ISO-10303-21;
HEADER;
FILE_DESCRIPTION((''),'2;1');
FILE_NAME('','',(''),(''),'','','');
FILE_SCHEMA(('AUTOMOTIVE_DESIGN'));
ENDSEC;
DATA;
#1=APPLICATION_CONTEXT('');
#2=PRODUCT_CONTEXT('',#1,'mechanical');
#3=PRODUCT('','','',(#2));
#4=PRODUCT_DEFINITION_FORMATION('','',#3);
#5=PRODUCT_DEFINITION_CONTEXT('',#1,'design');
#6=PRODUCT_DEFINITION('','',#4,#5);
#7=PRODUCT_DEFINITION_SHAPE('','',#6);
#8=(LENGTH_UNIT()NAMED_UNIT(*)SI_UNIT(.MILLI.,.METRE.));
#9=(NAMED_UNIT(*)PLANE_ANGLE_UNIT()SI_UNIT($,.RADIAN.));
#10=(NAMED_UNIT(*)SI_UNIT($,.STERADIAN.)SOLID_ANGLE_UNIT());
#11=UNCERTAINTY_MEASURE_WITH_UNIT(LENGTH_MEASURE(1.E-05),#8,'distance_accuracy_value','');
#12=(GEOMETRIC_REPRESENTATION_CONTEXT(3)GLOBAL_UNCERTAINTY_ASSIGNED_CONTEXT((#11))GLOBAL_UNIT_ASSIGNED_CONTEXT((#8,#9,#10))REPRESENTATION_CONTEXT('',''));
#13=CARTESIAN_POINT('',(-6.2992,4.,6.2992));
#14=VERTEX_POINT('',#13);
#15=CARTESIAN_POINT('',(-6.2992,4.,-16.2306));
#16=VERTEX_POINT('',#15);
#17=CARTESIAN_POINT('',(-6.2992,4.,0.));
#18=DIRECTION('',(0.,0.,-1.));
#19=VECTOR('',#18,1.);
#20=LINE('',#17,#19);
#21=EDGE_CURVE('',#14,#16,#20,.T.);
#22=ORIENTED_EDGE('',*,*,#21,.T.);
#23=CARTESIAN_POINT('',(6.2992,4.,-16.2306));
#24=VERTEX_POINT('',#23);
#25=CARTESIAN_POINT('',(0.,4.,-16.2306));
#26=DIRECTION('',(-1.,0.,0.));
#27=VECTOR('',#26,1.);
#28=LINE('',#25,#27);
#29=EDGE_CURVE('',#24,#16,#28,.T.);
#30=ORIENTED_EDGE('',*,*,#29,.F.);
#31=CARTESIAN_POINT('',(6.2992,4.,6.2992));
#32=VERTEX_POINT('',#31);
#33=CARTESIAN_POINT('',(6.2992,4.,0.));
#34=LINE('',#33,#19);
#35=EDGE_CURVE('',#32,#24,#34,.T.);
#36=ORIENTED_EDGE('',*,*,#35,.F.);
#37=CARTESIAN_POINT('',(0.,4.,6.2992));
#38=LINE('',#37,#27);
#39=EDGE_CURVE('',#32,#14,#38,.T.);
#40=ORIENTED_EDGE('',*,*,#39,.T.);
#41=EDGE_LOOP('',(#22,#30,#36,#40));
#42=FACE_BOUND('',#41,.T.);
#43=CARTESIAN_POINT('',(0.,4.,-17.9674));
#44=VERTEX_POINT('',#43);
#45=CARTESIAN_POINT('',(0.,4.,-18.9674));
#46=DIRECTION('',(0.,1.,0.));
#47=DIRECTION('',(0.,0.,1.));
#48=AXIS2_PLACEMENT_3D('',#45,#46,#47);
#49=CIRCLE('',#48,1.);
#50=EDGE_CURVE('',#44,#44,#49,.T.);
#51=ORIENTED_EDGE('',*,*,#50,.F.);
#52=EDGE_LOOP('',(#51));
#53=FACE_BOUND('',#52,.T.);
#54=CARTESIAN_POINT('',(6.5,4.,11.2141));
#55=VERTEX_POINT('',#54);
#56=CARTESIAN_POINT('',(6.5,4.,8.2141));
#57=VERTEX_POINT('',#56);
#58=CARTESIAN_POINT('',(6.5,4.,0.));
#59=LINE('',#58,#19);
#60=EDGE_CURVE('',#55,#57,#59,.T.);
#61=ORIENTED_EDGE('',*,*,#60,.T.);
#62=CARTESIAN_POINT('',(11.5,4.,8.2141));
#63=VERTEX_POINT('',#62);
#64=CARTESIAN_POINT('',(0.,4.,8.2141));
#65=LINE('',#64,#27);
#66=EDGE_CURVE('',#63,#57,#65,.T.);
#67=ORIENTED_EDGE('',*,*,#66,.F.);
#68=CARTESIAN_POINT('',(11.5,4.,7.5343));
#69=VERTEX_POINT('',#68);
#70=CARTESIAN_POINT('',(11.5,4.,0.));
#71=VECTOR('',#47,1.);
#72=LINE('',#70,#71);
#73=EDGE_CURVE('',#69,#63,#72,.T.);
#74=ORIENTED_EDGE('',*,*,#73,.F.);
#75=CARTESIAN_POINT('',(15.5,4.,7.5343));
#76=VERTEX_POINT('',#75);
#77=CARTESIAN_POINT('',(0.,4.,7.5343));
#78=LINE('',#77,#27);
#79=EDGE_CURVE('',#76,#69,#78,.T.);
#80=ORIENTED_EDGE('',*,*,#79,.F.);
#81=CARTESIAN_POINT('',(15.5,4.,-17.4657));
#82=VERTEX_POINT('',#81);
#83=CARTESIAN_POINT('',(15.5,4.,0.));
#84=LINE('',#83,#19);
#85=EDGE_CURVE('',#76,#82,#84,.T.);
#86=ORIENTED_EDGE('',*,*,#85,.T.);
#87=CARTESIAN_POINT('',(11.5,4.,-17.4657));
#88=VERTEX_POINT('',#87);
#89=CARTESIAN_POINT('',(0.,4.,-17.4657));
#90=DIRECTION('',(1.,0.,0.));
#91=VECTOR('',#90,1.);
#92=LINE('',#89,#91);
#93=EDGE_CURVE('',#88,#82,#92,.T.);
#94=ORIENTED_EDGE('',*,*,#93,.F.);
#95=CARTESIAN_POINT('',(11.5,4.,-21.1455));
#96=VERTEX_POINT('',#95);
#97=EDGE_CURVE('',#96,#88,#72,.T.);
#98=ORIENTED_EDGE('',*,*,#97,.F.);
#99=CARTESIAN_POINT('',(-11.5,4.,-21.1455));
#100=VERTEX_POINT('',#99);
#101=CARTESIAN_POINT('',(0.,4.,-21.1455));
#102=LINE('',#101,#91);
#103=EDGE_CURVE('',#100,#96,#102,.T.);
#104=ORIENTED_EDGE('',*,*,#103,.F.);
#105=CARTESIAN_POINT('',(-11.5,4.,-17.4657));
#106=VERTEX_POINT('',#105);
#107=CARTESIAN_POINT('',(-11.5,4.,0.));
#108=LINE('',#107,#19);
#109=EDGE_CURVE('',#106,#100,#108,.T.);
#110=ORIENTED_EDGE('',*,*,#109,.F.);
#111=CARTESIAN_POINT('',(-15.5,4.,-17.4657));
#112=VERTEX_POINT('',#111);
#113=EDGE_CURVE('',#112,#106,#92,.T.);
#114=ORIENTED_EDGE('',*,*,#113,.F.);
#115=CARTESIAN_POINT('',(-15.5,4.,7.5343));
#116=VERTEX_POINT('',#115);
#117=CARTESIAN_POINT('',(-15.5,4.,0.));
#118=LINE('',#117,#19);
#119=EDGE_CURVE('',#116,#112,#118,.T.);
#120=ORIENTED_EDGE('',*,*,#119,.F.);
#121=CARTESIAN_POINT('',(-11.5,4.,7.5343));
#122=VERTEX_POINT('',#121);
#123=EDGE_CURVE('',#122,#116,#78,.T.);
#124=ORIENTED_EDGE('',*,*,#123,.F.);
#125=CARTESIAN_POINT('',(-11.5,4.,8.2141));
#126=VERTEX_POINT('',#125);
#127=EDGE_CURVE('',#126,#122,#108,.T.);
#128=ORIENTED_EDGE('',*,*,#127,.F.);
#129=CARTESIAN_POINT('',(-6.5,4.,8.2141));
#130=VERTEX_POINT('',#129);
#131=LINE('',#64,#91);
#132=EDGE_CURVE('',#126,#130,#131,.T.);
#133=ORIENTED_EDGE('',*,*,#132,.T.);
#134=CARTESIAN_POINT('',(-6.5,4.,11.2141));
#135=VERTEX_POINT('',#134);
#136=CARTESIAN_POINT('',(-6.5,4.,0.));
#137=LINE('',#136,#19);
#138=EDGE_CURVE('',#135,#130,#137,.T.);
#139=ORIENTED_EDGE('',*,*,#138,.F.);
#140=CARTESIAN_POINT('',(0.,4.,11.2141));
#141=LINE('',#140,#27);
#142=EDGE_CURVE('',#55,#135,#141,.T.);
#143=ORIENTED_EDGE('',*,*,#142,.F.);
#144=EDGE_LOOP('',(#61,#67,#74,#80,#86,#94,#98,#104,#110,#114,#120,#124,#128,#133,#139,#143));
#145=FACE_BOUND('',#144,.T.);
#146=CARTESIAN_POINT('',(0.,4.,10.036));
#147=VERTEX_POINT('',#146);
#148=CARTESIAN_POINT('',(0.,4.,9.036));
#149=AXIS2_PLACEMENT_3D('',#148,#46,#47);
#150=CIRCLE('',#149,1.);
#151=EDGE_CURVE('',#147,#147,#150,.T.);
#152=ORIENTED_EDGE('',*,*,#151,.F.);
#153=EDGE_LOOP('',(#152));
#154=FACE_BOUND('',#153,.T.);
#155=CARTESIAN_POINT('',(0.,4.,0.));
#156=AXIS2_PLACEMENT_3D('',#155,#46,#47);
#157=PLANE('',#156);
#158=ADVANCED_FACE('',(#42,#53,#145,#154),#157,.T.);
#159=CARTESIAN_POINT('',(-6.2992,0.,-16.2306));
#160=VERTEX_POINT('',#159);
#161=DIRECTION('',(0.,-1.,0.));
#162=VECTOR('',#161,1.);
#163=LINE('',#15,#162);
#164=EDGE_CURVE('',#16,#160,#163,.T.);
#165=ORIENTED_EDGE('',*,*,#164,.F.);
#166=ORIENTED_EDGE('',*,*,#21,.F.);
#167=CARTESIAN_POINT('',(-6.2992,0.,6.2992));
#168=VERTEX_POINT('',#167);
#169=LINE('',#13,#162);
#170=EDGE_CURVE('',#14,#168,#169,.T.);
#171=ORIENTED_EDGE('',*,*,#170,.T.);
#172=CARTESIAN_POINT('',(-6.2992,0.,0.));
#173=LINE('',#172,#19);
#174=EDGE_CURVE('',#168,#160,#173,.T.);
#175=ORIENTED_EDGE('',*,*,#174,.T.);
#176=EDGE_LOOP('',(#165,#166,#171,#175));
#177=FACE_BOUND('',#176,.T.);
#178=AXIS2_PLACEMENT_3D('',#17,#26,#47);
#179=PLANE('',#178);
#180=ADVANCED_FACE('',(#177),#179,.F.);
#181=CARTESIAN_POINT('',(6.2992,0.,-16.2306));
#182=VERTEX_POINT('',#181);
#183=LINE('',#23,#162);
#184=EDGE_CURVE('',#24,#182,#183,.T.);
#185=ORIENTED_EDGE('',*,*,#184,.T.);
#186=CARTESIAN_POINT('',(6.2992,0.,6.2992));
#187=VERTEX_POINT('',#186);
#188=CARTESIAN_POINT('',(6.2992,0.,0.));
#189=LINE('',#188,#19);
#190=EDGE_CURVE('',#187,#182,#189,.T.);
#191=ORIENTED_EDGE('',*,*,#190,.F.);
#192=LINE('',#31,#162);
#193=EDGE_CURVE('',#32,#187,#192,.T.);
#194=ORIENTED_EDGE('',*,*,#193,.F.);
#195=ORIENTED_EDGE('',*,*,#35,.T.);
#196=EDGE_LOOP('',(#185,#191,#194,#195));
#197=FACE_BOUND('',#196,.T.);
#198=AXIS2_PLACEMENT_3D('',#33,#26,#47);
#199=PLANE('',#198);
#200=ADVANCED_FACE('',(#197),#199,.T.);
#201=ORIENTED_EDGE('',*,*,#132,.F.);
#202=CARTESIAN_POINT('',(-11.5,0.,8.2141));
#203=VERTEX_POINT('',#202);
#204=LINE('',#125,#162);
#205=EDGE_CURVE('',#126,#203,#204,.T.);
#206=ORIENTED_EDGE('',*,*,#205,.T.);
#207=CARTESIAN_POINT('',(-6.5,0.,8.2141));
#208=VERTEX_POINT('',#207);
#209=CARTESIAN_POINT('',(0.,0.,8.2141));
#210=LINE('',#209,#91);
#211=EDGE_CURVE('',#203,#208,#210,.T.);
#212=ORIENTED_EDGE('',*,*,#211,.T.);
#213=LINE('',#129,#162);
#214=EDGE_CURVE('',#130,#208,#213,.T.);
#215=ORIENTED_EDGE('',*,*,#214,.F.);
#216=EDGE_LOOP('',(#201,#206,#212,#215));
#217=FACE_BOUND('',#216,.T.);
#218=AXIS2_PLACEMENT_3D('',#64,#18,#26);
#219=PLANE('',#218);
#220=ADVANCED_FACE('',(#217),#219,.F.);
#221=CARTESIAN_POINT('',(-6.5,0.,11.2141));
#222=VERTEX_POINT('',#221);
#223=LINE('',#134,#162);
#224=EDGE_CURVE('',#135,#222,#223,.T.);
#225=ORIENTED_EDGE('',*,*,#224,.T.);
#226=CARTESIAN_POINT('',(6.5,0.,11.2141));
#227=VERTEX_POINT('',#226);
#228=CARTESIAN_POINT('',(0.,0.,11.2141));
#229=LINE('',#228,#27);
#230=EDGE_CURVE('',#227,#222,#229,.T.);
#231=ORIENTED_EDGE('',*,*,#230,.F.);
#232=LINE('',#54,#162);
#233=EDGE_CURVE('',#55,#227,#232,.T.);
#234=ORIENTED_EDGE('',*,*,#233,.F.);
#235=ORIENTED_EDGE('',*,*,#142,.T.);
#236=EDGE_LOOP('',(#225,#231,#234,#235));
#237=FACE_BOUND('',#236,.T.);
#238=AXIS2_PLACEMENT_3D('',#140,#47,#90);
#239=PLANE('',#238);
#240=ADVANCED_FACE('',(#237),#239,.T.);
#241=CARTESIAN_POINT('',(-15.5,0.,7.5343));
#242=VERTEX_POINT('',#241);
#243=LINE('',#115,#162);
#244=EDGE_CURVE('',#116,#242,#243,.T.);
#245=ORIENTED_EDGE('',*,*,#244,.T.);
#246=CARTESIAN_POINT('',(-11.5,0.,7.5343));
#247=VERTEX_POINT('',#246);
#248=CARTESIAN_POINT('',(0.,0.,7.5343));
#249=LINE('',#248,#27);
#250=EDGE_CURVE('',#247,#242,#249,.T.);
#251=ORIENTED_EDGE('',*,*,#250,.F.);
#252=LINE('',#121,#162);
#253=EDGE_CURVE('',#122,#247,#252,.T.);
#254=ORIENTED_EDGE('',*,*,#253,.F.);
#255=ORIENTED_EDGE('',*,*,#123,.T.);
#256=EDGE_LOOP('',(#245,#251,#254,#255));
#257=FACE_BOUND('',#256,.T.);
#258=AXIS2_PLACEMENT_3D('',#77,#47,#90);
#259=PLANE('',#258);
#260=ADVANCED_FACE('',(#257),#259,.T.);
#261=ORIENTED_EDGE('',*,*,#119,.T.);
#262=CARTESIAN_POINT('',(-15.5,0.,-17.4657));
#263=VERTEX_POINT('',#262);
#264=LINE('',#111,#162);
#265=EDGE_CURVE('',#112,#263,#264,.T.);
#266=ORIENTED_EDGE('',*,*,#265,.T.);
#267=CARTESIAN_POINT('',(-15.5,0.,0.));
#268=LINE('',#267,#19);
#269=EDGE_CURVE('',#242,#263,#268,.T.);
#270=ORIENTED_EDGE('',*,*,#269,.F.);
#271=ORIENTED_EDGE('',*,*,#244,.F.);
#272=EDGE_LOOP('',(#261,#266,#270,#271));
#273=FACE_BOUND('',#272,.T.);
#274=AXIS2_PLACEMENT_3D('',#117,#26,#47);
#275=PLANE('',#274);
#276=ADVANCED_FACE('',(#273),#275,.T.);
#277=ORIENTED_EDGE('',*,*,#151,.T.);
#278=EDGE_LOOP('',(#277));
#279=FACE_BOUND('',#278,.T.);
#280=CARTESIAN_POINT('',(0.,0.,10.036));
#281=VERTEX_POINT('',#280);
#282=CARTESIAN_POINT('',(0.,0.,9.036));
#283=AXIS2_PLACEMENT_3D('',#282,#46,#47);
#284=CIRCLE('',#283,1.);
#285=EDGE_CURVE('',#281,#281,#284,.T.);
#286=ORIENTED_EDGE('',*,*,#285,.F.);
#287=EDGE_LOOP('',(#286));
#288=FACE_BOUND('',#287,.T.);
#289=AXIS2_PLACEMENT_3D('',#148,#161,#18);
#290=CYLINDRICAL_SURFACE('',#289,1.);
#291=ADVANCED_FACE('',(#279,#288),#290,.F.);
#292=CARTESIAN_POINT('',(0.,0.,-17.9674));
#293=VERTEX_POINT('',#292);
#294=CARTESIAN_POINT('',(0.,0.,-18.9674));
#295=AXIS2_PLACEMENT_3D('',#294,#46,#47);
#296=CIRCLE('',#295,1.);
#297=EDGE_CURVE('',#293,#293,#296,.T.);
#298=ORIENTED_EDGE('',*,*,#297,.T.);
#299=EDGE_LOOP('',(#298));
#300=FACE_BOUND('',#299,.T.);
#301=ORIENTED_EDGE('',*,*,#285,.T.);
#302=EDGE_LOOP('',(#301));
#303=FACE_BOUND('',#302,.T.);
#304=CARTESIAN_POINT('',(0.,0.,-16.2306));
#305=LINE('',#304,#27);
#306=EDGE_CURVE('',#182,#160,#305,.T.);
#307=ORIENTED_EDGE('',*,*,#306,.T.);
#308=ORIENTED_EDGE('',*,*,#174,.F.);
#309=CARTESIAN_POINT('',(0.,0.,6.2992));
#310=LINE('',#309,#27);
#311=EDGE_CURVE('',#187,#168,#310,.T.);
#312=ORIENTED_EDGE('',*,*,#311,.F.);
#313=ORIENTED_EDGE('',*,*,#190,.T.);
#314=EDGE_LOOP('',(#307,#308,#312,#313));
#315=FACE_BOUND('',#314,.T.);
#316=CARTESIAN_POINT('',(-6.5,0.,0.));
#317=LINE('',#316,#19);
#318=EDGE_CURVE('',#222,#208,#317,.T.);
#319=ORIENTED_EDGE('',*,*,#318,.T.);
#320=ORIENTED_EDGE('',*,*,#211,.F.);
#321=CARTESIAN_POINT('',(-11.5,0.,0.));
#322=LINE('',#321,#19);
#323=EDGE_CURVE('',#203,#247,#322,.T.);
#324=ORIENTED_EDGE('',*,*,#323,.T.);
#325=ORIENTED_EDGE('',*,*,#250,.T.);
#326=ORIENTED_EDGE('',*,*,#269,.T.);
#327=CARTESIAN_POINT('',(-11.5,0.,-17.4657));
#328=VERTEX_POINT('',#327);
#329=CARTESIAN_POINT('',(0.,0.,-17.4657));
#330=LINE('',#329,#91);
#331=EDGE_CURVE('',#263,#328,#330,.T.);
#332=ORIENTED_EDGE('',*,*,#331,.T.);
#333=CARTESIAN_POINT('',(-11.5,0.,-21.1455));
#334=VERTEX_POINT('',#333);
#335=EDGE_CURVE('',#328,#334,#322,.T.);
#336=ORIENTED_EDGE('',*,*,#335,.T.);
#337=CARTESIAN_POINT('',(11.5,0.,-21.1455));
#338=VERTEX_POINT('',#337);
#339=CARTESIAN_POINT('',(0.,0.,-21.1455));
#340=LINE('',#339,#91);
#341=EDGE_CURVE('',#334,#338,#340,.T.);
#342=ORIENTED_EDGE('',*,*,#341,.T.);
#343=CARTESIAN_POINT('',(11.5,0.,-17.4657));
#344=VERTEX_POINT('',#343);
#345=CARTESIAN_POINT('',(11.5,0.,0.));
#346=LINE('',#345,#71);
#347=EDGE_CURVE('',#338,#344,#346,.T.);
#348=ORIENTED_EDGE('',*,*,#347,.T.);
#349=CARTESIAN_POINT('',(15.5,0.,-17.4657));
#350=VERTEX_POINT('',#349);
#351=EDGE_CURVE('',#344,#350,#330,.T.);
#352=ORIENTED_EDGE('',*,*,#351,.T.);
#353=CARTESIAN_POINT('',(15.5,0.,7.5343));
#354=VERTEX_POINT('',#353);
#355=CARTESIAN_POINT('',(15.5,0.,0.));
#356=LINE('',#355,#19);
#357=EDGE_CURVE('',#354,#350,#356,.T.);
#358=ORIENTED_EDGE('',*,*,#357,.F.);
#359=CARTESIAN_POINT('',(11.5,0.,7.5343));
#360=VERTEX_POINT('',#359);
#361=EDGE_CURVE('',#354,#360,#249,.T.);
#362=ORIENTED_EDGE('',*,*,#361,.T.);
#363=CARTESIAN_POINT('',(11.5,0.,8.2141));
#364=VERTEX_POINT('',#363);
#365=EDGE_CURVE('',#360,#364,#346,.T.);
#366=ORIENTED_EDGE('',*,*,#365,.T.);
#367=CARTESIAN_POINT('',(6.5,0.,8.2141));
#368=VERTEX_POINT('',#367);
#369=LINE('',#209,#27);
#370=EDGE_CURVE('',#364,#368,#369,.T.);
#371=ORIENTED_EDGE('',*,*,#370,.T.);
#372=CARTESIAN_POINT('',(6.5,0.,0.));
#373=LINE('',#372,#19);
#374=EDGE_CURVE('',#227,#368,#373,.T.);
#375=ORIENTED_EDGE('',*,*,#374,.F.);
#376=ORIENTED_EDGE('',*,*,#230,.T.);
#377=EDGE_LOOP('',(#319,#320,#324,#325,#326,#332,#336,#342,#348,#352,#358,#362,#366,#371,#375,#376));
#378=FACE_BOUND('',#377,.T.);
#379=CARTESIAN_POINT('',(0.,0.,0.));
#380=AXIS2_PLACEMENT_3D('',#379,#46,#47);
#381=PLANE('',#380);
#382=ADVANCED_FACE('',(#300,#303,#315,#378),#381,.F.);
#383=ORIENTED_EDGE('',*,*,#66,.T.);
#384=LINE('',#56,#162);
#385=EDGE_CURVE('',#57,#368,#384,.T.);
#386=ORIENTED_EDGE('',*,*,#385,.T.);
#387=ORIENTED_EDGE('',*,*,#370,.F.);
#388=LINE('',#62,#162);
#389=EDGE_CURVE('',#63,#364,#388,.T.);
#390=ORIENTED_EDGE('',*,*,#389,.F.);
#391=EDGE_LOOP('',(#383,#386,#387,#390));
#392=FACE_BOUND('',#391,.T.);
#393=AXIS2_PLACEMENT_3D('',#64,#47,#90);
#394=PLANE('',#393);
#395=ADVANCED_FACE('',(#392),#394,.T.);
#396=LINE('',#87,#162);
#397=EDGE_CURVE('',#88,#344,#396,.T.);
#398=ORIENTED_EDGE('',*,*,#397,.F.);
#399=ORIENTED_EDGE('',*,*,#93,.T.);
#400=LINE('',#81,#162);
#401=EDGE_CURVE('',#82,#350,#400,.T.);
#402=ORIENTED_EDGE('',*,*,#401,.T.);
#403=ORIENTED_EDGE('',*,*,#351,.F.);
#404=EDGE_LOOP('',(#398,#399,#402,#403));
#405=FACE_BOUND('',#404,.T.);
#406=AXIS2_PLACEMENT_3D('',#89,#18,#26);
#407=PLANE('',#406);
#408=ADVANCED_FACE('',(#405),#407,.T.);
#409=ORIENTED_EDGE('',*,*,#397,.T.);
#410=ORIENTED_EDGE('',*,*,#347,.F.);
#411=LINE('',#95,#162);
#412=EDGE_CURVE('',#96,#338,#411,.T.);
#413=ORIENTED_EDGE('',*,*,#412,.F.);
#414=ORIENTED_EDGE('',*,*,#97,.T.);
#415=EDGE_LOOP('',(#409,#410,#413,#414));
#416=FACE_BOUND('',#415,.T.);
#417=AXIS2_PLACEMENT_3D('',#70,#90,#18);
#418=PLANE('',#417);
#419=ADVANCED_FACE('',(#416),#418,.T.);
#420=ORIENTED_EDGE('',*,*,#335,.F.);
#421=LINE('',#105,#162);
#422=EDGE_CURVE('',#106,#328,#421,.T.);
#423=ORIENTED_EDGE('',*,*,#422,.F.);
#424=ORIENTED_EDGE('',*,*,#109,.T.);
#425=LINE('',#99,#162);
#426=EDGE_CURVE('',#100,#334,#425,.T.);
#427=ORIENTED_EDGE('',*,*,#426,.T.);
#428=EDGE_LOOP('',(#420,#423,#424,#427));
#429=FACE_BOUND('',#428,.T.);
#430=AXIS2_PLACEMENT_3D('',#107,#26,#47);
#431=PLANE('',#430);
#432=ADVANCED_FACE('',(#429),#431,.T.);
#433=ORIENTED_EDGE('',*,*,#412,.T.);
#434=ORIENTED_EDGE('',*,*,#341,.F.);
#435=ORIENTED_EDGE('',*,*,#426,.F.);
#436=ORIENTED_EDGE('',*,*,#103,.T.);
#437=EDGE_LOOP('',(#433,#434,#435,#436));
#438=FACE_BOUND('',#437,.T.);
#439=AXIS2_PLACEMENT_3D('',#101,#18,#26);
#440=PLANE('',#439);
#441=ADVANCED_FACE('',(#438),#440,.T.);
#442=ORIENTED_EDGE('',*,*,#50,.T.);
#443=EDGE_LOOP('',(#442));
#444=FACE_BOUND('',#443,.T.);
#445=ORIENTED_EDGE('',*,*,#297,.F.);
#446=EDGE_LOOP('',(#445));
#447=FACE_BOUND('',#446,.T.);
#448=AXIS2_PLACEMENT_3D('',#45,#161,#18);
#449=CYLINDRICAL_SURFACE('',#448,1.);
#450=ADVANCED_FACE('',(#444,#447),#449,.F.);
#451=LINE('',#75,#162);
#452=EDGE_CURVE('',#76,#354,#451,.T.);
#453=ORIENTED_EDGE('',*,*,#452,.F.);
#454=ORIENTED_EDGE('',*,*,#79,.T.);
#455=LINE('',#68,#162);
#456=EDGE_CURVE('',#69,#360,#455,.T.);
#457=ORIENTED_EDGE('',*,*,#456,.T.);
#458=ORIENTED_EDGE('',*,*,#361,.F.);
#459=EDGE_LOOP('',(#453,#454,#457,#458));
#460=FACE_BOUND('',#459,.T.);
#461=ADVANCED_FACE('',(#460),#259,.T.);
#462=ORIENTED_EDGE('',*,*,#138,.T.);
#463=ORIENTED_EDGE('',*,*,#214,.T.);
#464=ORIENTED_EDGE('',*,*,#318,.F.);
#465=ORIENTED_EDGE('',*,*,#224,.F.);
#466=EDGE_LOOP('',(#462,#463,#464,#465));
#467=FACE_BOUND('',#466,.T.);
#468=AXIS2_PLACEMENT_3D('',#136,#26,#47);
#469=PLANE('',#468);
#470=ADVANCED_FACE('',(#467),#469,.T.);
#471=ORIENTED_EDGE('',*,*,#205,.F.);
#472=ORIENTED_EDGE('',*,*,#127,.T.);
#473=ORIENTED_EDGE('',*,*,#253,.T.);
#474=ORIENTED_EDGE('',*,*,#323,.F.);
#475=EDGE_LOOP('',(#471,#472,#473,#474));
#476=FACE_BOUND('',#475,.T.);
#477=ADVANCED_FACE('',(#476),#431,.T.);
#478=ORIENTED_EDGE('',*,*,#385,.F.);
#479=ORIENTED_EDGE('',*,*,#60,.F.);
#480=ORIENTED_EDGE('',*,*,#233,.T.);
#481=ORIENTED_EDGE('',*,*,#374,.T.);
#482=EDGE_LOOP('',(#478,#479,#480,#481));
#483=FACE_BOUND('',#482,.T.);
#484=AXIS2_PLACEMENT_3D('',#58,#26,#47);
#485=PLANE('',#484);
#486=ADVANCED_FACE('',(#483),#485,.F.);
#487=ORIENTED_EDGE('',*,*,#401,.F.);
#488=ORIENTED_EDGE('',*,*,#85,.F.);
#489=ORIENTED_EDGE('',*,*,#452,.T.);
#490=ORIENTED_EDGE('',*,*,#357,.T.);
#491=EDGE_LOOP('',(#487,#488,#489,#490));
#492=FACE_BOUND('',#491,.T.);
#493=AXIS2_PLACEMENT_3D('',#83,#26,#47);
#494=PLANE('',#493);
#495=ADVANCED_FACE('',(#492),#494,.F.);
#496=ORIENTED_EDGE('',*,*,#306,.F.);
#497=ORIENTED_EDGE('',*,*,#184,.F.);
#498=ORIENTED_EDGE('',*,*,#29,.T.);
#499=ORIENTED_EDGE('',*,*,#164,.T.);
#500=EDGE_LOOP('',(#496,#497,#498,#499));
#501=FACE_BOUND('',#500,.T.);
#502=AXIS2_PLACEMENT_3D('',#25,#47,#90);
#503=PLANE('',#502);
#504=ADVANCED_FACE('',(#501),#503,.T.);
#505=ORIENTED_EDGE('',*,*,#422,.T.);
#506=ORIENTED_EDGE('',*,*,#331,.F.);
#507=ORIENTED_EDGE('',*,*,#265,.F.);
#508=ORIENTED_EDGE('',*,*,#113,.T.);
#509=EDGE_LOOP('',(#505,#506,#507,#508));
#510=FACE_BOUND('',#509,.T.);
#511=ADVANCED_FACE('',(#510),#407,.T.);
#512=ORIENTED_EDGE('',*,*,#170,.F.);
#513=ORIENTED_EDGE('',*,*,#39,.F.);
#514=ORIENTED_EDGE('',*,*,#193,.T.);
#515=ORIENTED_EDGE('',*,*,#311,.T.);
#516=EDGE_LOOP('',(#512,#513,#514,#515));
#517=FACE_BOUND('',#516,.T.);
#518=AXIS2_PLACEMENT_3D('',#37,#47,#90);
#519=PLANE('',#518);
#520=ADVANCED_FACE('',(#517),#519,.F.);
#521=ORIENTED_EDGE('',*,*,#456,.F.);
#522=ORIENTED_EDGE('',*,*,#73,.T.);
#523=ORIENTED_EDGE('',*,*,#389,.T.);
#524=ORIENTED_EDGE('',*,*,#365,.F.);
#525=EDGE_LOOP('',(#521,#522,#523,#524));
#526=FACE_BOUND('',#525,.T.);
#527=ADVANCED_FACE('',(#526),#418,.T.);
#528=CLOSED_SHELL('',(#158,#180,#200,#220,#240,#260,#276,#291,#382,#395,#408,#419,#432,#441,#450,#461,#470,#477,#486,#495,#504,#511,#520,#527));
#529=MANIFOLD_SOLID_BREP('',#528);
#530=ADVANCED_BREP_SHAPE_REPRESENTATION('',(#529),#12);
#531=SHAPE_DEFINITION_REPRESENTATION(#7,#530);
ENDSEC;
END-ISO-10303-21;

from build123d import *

# Parameters (mm, degrees)
CROQUIS1_R              = 1
CROQUIS1_W              = 12.5984
CROQUIS1_H              = 22.5298
SALIENTE_EXTRUIR1_DEPTH = 4


with BuildPart() as part:
    # Croquis1 → Saliente-Extruir1 (new body)
    with BuildSketch(Plane(origin=(0, 0, 0), x_dir=(1, 0, 0), z_dir=(0, 1, 0))):
        Polygon((-6.5, -11.2141), (-6.2992, -11.2141), (6.5, -11.2141), (6.5, -8.2141), (11.5, -8.2141), (11.5, -7.5343), (15.5, -7.5343), (15.5, 17.4657), (11.5, 17.4657), (11.5, 21.1455), (-11.5, 21.1455), (-11.5, 17.4657), (-15.5, 17.4657), (-15.5, -7.5343), (-11.5, -7.5343), (-11.5, -8.2141), (-6.5, -8.2141), align=None)
        with Locations((0, -9.036)):
            Circle(CROQUIS1_R, mode=Mode.SUBTRACT)
        with Locations((0, 4.9657)):
            Rectangle(CROQUIS1_W, CROQUIS1_H, mode=Mode.SUBTRACT)
        with Locations((0, 18.9674)):
            Circle(CROQUIS1_R, mode=Mode.SUBTRACT)
    extrude(amount=SALIENTE_EXTRUIR1_DEPTH)


solid = part.part
